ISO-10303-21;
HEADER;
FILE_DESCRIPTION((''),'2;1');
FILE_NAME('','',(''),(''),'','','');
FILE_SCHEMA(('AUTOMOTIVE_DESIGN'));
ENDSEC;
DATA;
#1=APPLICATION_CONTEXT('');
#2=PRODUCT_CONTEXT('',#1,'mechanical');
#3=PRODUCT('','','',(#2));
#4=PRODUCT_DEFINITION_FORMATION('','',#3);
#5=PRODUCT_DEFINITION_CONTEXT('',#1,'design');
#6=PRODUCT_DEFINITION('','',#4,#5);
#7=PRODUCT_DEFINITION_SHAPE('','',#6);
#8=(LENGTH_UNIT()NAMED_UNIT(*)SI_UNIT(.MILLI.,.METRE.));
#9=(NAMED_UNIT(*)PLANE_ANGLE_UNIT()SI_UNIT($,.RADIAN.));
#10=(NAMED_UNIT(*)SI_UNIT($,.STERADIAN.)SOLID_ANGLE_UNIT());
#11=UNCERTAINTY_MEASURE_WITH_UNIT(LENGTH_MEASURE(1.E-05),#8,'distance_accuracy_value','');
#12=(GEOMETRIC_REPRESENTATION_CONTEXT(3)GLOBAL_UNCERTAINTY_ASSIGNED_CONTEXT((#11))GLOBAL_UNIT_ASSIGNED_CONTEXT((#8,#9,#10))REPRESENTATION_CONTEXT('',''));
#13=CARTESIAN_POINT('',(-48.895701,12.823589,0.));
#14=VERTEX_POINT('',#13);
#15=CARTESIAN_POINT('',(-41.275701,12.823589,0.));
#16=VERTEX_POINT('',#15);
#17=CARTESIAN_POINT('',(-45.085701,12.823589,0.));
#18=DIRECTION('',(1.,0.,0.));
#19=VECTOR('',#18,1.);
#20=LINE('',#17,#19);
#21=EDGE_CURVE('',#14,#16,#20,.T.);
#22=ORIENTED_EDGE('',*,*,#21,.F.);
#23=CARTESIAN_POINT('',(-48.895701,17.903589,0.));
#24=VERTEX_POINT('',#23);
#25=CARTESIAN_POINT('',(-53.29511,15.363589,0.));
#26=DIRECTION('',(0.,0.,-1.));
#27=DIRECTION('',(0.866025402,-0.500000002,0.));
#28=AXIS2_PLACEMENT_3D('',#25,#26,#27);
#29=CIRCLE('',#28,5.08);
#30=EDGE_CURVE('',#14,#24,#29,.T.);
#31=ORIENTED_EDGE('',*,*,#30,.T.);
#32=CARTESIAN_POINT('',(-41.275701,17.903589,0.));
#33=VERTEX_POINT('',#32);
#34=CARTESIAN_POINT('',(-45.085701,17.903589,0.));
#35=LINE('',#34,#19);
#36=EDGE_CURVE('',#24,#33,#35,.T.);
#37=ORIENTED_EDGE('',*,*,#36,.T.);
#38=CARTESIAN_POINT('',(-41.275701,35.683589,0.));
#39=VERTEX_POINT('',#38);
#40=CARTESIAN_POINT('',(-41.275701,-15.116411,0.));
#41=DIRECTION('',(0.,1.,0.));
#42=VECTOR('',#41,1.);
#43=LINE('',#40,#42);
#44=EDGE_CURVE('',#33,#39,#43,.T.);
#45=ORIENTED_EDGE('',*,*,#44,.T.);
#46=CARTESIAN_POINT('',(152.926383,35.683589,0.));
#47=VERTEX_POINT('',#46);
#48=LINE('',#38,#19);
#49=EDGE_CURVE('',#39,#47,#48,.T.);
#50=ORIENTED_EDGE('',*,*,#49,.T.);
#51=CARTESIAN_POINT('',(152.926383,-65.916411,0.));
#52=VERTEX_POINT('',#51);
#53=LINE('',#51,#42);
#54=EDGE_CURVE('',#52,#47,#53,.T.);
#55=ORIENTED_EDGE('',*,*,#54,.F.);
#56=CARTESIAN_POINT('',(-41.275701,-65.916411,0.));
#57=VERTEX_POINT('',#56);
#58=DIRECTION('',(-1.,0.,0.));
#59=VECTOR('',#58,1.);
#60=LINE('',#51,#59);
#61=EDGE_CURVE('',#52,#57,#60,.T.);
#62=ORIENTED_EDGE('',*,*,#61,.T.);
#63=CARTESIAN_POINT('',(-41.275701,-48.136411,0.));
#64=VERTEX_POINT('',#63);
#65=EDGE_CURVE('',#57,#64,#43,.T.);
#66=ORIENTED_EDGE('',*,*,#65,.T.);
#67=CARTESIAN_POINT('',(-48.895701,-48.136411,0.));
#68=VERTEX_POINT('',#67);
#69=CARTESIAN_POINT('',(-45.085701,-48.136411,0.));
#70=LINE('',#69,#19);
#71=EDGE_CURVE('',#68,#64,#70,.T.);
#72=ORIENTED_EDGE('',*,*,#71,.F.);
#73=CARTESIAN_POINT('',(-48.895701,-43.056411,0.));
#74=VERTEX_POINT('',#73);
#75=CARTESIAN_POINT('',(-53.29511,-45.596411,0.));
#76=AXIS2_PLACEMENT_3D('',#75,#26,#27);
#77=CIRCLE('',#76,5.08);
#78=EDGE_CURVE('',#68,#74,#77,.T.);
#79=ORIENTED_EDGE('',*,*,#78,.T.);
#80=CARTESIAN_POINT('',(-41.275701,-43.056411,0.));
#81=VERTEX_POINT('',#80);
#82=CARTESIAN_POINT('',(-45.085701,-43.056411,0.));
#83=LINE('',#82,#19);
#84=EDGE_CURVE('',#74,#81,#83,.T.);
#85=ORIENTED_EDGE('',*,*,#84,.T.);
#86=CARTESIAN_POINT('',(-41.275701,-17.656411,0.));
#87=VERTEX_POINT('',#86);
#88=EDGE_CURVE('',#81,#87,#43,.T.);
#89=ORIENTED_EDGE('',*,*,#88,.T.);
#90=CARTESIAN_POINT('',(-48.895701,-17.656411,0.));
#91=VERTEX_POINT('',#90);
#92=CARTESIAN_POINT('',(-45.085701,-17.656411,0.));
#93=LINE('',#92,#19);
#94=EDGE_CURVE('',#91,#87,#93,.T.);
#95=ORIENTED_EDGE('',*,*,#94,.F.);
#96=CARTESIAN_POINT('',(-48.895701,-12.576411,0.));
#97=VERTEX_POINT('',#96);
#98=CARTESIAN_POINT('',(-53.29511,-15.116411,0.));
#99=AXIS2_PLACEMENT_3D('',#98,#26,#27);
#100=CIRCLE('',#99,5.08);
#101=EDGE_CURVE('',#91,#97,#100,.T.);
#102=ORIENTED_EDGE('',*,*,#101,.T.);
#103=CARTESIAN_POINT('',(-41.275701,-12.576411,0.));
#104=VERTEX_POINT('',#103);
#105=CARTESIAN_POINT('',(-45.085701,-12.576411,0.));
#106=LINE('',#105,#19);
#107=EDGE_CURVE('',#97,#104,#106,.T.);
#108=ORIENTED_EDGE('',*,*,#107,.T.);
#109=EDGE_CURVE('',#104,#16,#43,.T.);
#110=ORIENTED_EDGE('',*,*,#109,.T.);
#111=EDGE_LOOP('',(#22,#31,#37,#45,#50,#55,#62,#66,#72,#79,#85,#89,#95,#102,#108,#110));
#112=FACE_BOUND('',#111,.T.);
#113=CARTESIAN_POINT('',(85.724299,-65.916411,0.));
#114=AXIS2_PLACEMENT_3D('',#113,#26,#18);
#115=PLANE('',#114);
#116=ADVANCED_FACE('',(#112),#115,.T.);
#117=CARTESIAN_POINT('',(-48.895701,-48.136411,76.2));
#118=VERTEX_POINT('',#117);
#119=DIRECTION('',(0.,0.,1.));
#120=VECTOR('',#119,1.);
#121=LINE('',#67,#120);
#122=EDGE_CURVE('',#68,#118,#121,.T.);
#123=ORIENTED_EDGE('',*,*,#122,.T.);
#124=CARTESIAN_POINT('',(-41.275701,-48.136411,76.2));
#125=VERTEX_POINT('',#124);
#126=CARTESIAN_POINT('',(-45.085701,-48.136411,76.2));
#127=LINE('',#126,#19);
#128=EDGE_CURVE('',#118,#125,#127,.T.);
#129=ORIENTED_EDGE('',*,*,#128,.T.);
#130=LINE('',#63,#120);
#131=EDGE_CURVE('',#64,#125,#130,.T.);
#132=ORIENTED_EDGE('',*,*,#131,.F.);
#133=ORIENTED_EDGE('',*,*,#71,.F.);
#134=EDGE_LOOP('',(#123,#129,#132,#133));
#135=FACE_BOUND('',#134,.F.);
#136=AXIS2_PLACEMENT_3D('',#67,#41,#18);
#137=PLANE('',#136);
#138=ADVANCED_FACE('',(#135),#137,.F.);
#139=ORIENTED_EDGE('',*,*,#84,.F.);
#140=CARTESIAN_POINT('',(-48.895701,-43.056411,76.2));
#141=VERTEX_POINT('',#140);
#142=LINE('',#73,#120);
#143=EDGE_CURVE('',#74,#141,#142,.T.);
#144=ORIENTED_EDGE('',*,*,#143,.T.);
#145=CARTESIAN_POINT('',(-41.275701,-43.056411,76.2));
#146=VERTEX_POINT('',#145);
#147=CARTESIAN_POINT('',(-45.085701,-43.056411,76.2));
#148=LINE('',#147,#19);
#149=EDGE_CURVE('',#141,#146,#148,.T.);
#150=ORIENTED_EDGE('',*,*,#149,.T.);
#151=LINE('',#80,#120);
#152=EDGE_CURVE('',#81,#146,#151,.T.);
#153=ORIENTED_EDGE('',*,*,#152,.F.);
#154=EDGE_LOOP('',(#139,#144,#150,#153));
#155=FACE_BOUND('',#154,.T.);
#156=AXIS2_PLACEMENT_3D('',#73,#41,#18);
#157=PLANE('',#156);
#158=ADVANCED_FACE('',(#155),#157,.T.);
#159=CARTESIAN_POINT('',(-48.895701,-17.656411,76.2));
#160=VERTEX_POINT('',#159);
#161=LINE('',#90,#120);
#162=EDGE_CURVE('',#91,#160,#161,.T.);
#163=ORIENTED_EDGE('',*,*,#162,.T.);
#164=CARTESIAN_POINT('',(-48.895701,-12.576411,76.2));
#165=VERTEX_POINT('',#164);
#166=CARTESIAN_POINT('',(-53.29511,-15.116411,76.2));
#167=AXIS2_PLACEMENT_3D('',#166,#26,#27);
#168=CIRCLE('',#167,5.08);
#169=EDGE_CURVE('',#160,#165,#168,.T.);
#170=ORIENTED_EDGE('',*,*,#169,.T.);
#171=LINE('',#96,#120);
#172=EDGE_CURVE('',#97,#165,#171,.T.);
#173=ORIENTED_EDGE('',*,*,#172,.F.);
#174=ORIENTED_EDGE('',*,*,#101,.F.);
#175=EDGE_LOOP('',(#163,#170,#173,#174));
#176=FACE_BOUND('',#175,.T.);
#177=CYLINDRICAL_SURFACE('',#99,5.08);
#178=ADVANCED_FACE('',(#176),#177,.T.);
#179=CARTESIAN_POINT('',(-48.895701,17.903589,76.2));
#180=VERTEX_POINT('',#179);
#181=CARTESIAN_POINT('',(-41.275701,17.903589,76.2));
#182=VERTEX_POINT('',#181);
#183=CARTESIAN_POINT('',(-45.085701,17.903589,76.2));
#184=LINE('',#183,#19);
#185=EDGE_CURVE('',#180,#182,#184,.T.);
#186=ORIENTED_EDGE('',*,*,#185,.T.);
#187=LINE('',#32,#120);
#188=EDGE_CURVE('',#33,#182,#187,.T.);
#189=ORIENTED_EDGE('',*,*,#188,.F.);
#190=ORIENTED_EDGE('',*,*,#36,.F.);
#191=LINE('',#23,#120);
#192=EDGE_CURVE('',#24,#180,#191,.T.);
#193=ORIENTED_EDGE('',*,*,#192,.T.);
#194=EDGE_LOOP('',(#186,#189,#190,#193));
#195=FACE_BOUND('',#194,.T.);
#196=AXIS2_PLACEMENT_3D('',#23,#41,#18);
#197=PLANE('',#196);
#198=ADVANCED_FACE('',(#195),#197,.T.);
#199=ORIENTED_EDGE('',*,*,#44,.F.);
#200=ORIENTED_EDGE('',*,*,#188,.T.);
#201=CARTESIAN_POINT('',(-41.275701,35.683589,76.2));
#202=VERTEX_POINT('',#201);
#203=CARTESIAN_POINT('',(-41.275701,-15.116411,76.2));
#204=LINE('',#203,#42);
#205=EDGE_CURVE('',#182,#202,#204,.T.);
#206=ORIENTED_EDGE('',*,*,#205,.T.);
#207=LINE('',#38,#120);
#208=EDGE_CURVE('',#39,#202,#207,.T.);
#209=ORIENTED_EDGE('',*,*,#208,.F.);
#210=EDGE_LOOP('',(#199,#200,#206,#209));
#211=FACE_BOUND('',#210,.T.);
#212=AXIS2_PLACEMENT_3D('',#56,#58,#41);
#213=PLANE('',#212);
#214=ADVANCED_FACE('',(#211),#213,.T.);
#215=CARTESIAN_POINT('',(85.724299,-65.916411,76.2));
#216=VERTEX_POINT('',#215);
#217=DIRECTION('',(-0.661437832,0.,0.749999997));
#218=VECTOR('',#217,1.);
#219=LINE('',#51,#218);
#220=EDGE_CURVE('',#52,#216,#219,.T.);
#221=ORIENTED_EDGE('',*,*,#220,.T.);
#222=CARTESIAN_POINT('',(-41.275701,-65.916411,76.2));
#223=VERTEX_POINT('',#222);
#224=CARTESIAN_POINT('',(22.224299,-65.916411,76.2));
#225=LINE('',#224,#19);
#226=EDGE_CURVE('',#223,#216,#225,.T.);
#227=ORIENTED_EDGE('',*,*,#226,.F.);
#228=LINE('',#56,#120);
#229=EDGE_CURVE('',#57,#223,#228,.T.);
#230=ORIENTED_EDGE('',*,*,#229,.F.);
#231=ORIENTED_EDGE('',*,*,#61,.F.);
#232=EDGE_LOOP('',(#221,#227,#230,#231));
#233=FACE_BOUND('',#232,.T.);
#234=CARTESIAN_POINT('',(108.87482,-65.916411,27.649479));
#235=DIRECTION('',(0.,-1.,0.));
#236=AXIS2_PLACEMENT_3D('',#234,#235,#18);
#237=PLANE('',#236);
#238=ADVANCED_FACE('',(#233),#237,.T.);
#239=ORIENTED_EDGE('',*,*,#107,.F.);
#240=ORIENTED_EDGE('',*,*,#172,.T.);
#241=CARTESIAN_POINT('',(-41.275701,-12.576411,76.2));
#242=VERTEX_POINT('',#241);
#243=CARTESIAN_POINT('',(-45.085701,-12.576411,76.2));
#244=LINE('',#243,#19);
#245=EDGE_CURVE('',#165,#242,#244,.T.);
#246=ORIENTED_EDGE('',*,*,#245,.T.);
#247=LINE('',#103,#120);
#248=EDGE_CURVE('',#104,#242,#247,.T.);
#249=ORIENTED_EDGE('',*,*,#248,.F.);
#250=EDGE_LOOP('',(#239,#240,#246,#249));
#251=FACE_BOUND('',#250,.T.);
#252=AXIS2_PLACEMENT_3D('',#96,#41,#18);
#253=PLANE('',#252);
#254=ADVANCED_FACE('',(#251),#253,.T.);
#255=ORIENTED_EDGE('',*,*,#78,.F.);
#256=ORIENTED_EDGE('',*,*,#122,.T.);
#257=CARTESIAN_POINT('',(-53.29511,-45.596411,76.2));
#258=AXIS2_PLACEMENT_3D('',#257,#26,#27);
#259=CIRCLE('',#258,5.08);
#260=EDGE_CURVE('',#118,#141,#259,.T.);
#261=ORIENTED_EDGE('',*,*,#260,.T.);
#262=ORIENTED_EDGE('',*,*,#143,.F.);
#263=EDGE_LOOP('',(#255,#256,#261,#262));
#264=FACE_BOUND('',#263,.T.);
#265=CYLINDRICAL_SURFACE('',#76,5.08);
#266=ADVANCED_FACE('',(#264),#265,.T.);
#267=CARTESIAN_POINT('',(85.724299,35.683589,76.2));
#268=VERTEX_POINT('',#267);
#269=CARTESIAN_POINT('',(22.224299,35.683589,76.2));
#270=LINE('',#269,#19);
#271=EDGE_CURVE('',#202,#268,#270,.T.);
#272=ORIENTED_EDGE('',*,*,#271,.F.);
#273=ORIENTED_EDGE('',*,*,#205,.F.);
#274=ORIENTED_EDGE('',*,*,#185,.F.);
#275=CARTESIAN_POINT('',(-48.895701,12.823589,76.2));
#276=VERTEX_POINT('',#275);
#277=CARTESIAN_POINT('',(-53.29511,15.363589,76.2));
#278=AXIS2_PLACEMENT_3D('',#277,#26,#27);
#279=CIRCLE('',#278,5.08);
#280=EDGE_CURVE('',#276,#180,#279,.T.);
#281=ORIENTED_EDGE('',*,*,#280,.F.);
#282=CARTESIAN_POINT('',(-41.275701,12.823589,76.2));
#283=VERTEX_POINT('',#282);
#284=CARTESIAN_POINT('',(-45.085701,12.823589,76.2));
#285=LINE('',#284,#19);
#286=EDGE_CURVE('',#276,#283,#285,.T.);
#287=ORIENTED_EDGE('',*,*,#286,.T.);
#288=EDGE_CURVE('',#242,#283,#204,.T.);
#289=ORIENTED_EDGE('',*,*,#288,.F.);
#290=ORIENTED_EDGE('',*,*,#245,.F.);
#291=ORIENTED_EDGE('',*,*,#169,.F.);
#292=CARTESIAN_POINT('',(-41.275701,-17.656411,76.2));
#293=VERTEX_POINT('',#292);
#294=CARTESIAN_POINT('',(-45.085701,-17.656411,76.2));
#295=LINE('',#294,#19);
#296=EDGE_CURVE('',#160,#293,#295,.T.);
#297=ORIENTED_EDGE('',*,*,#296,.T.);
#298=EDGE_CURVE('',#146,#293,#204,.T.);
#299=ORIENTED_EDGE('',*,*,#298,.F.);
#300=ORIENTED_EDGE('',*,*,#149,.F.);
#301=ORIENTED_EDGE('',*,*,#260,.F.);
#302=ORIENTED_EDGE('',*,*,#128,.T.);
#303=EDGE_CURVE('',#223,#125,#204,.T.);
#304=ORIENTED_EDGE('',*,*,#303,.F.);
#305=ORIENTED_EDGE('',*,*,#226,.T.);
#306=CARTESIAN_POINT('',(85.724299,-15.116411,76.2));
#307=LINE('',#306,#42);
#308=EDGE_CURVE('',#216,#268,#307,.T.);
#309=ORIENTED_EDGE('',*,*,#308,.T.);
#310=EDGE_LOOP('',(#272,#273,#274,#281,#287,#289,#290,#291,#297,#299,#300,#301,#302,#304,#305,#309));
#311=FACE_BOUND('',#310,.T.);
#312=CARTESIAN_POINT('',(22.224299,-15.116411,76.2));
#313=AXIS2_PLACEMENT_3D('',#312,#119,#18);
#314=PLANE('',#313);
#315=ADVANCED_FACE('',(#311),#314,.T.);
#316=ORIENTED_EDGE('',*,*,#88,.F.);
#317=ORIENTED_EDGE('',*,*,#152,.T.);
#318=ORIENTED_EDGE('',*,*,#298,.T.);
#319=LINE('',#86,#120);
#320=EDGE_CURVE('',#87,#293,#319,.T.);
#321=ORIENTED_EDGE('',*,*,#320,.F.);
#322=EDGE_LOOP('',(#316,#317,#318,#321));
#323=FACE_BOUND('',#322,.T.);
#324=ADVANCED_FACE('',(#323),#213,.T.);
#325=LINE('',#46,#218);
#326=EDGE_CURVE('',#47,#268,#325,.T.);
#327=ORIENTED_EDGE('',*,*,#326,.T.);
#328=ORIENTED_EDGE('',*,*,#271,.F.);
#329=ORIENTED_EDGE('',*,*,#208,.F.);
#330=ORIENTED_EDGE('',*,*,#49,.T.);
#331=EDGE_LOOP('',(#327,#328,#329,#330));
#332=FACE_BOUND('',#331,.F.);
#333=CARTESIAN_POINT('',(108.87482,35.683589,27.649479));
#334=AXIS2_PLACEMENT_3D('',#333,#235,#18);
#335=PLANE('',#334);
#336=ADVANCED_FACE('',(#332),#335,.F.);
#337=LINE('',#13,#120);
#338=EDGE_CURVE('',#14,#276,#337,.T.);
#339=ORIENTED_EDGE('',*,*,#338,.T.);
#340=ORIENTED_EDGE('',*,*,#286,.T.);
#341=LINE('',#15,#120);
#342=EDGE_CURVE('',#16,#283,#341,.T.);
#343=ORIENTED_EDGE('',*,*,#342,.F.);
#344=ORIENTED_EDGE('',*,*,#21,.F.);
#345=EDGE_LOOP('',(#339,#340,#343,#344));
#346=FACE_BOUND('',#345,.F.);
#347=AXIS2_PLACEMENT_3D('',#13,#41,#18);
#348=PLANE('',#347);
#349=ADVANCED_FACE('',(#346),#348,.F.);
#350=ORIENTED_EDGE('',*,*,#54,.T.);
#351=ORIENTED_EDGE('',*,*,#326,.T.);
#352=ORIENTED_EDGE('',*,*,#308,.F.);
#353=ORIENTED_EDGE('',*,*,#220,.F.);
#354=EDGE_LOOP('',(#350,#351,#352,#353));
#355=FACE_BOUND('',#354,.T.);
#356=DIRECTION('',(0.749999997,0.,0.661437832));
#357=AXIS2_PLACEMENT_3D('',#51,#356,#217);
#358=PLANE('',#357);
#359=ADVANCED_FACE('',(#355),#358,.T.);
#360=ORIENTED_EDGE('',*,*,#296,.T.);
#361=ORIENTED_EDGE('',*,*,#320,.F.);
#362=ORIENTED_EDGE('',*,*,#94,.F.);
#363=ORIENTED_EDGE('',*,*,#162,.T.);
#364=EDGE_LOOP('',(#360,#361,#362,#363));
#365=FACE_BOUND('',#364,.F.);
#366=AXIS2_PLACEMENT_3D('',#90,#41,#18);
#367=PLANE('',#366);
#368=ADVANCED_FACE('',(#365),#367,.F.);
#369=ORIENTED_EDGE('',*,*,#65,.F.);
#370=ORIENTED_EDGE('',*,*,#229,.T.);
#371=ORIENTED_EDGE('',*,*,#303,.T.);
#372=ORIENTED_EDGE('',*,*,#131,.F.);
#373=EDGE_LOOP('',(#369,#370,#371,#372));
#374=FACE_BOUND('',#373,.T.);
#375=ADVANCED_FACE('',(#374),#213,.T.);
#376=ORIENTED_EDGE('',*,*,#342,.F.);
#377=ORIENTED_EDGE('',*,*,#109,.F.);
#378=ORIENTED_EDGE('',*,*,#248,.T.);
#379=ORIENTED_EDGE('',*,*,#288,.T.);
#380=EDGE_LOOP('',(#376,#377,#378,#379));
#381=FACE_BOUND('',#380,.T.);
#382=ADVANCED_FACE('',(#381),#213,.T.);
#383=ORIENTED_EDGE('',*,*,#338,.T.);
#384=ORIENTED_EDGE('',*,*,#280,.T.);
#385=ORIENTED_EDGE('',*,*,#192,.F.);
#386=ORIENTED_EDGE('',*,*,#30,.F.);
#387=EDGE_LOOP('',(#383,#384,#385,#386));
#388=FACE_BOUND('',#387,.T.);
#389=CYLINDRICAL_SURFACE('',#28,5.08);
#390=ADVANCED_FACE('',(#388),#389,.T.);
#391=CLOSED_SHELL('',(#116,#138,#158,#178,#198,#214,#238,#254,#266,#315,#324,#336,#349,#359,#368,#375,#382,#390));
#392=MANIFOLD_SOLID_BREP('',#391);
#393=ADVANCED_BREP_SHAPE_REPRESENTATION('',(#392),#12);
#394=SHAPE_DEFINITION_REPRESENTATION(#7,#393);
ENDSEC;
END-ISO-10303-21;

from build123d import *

# Parameters (mm, degrees)
F0_W     = 127
F0_H     = 101.6
F1_DEPTH = 76.2
F3_DEPTH = 101.6
F4_W     = 7.62
F4_H     = 5.08
F5_DEPTH = 76.2


with BuildPart() as f1:
    # F0 (on Top) → F1 (new body)
    with BuildSketch(Plane.XY):
        with Locations((22.224299, -15.116411)):
            Rectangle(F0_W, F0_H)
    extrude(amount=F1_DEPTH)

    # F2 (on face) → F3 (join)
    with BuildSketch(Plane.XZ.offset(65.916411)):
        Polygon((152.926383, 0), (85.724299, 76.2), (85.724299, 0), align=None)
    extrude(amount=-F3_DEPTH)

    # F4 (on face) → F5 (join)
    with BuildSketch(Plane(origin=(0, 0, 0), x_dir=(1, 0, 0), z_dir=(0, 0, -1))):
        with Locations((-45.085701, -15.363589)):
            Rectangle(F4_W, F4_H)
        with BuildLine():
            ThreePointArc((-48.895701, 48.136411), (-58.37511, 45.596411), (-48.895701, 43.056411))
            Line((-48.895701, 43.056411), (-48.895701, 48.136411))
        make_face()
        with Locations((-45.085701, 45.596411)):
            Rectangle(F4_W, F4_H)
        with BuildLine():
            ThreePointArc((-48.895701, 17.656411), (-58.37511, 15.116411), (-48.895701, 12.576411))
            Line((-48.895701, 12.576411), (-48.895701, 17.656411))
        make_face()
        with Locations((-45.085701, 15.116411)):
            Rectangle(F4_W, F4_H)
        with BuildLine():
            ThreePointArc((-48.895701, -12.823589), (-58.37511, -15.363589), (-48.895701, -17.903589))
            Line((-48.895701, -17.903589), (-48.895701, -12.823589))
        make_face()
    extrude(amount=-F5_DEPTH)


solid = f1.part
